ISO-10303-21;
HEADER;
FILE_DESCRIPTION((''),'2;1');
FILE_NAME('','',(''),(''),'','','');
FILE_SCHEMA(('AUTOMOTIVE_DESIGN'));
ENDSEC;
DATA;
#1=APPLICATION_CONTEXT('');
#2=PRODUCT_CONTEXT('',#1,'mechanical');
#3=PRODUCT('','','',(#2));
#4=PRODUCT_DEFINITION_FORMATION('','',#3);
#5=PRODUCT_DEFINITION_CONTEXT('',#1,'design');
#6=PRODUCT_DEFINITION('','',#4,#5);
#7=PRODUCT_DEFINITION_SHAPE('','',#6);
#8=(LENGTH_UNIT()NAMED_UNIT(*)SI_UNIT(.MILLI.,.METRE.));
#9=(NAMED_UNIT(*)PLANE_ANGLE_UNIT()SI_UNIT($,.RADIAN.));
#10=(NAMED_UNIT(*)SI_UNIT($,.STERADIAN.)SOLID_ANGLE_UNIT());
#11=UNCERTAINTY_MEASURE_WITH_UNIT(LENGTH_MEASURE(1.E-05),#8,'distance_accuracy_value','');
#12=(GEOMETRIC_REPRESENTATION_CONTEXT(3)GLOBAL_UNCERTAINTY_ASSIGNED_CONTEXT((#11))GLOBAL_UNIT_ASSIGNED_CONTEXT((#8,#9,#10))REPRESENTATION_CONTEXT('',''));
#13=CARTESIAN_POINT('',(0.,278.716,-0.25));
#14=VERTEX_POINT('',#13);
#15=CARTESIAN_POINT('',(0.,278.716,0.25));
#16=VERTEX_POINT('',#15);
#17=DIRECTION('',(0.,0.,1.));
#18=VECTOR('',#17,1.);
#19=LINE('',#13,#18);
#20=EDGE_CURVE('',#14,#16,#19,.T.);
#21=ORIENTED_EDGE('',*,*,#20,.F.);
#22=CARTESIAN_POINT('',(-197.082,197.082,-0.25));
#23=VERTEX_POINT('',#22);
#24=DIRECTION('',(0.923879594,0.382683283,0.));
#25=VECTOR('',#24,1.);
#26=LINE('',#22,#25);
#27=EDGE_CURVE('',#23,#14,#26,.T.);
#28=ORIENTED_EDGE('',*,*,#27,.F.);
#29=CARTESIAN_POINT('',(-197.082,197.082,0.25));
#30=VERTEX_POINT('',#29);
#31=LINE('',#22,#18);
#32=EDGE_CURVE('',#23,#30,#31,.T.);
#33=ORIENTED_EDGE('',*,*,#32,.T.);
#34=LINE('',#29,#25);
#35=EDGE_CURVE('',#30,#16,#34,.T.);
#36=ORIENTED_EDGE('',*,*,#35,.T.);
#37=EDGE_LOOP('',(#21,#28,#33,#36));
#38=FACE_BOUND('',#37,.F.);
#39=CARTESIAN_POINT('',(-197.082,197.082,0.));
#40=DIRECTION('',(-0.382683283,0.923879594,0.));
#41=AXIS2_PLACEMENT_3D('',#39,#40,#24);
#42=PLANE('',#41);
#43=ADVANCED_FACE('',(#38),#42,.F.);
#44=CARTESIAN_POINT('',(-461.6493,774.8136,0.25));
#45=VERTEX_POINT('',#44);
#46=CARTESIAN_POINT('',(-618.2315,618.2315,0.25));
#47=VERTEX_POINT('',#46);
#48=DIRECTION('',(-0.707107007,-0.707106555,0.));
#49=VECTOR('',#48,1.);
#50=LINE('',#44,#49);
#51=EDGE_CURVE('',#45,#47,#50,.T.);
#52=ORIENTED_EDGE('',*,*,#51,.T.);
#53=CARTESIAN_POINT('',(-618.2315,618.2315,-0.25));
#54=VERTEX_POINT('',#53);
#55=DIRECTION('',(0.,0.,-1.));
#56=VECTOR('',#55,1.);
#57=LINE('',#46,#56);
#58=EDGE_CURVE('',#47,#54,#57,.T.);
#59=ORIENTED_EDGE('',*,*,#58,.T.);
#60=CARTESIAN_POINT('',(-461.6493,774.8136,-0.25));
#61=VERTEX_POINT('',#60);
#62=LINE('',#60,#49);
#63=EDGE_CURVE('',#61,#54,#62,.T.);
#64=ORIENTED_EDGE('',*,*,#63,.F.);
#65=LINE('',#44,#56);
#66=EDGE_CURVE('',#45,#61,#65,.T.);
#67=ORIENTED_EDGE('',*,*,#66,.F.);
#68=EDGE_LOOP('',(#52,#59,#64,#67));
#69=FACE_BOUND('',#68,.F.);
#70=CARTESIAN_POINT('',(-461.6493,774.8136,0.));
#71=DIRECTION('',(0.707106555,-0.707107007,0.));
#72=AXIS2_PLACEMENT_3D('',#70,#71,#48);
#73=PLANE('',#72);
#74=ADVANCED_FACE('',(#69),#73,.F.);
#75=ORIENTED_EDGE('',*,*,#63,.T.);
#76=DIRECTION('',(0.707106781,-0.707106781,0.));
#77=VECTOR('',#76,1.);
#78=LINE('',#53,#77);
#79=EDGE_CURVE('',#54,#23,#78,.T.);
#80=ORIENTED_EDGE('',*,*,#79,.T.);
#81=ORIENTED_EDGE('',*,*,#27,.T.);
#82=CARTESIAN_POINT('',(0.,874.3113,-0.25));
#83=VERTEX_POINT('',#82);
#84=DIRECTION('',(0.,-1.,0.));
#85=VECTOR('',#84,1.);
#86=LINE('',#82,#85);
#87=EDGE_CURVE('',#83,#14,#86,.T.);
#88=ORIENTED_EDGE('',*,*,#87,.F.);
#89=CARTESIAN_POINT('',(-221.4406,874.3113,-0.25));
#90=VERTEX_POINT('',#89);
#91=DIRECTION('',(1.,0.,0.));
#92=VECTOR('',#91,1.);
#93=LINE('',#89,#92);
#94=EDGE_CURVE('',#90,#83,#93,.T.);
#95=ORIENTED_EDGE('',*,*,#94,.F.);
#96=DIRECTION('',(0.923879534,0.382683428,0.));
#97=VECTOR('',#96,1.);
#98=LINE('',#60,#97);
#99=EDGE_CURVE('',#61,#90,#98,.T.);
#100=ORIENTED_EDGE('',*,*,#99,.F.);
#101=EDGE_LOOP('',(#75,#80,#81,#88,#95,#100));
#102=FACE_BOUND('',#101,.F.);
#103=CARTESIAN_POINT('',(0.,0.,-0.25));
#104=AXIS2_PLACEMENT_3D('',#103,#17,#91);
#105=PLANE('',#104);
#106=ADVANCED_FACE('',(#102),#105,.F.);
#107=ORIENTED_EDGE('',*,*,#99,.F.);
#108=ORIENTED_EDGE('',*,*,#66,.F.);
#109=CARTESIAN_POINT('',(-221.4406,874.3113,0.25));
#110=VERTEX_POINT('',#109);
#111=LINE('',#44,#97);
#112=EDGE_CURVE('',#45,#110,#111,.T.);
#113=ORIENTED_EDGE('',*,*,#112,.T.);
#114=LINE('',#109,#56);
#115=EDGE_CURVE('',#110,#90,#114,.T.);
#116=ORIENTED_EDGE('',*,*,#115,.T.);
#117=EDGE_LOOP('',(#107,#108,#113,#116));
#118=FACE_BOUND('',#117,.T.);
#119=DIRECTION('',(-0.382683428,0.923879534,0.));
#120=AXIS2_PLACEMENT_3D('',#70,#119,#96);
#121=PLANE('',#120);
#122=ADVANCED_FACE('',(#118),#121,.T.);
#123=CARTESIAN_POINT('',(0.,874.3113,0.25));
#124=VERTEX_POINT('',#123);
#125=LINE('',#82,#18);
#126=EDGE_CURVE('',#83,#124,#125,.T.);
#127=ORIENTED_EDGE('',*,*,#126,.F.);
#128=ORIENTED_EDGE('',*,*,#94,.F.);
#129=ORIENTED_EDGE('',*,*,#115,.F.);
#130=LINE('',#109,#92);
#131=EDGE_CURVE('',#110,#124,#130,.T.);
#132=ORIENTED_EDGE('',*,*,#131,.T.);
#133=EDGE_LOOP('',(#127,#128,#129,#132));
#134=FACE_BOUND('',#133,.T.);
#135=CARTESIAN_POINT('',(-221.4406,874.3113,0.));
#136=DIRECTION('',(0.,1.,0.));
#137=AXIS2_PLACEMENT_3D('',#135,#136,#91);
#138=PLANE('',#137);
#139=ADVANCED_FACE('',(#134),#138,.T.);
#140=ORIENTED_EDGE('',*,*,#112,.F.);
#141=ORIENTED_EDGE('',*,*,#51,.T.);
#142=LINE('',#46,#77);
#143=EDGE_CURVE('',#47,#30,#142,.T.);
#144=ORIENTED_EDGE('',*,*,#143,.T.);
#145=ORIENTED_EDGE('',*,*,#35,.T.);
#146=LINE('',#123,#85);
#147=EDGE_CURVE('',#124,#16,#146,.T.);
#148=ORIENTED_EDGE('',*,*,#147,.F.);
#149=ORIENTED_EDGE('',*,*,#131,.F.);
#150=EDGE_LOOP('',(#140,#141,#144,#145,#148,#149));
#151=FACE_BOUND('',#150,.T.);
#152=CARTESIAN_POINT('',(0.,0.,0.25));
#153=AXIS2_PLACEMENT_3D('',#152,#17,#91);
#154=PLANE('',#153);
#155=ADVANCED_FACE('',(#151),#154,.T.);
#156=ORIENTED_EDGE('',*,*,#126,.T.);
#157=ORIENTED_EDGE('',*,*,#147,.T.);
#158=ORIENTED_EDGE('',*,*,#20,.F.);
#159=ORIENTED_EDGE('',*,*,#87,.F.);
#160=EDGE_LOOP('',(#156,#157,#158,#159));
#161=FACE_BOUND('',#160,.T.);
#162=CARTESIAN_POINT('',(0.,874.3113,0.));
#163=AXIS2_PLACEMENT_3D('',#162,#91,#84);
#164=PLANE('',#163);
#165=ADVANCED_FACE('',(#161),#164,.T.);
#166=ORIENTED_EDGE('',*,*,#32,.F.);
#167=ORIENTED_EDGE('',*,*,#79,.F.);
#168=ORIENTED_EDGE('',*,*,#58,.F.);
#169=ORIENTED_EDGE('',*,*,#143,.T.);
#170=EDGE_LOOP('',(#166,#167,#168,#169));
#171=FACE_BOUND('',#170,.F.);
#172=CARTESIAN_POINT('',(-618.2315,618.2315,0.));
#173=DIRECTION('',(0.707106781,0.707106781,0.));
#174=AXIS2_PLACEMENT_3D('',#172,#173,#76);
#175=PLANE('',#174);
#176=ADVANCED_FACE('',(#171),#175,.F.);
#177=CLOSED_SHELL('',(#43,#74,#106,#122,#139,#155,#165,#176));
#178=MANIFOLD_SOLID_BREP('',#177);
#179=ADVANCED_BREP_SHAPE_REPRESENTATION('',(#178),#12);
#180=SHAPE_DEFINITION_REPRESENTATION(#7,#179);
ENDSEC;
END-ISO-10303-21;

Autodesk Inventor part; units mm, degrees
ref_plane "YZ Plane" through (0, 0, 0) normal (1, 0, 0) x (0, 1, 0)
ref_plane "XZ Plane" through (0, 0, 0) normal (0, 1, 0) x (-1, 0, 0)
ref_plane "XY Plane" through (0, 0, 0) normal (0, 0, 1) x (1, 0, 0)
sketch "Sketch1" plane through (0, 0, 0) normal (0, 0, 1) x (1, 0, 0)
  line L0 (0, 278.716) -> (197.082, 197.082) construction
  line L1 (197.082, 197.082) -> (278.716, 0) construction
  line L2 (278.716, 0) -> (197.082, -197.082) construction
  line L3 (197.082, -197.082) -> (0, -278.716) construction
  line L4 (0, -278.716) -> (-197.082, -197.082) construction
  line L5 (-197.082, -197.082) -> (-278.716, 0) construction
  line L6 (-278.716, 0) -> (-197.082, 197.082) construction
  line L7 (-197.082, 197.082) -> (0, 278.716)
  line L8 (-197.082, 197.082) -> (0, 278.716)
  line L9 (-461.6493, 774.8136) -> (-221.4406, 874.3113)
  line L10 (-98.541, 237.899) -> (-341.545, 824.5625) construction
  line L11 (-221.4406, 874.3113) -> (0, 874.3113)
  line L12 (0, 874.3113) -> (0, 278.716)
  line L13 (-461.6493, 774.8136) -> (-618.2315, 618.2315)
  line L14 (-618.2315, 618.2315) -> (-197.082, 197.082)
  point P0 (0, 0)
  point P1 (0, 0)
  dimension "d0" = 515
  dimension "d2" = 260
  dimension "d3" = 635
extrude "Extrusion1" add sketch "Sketch1" along normal mid plane 0.5
sketch "Sketch7" plane through (0, 0, 0.25) normal (0, 0, 1) x (1, 0, 0)
  line L0 (-13, 869.3113) -> (-5, 869.3113)
  line L1 (-5, 869.3113) -> (-5, 861.3113)
  line L2 (-5, 861.3113) -> (-13, 861.3113)
  line L3 (-13, 861.3113) -> (-13, 869.3113)
  line L4 (0, 874.3113) -> (-221.4406, 874.3113) projected
  line L5 (0, 278.716) -> (0, 874.3113) projected
  point P0 (0, 0)
  dimension "d54" = 8
  dimension "d55" = 8
  dimension "d56" = 5
  dimension "d57" = 5
extrude "Extrusion5" [suppressed]
pattern_linear "Rectangular Pattern1" [suppressed]
equation "\"d0\" = Барабан_размер_по_плоскостям"
equation "\"d2\" = Кассета_длина_грани"
equation "\"d3\" = Кассета_высота"
equation "\"BendRadius\" = Thickness"
equation "\"BendReliefWidth\" = Thickness"
equation "\"BendReliefDepth\" = 0.5 * Thickness"
equation "\"CornerReliefSize\" = 4 * Thickness"
equation "\"MinimumRemnant\" = 2 * Thickness"
equation "\"TransitionRadius\" = BendRadius"
equation "\"JacobiRadiusSize\" = BendRadius"
equation "\"GapSize\" = Thickness"
equation "\"Барабан_размер_по_плоскостям\" = 515"
equation "\"Кассета_длина_грани\" = 260"
equation "\"Кассета_высота\" = 635"
equation "\"Thickness\" = 0.5"
properties part number "DMF 01 57 Сетка кассеты v2.1"
